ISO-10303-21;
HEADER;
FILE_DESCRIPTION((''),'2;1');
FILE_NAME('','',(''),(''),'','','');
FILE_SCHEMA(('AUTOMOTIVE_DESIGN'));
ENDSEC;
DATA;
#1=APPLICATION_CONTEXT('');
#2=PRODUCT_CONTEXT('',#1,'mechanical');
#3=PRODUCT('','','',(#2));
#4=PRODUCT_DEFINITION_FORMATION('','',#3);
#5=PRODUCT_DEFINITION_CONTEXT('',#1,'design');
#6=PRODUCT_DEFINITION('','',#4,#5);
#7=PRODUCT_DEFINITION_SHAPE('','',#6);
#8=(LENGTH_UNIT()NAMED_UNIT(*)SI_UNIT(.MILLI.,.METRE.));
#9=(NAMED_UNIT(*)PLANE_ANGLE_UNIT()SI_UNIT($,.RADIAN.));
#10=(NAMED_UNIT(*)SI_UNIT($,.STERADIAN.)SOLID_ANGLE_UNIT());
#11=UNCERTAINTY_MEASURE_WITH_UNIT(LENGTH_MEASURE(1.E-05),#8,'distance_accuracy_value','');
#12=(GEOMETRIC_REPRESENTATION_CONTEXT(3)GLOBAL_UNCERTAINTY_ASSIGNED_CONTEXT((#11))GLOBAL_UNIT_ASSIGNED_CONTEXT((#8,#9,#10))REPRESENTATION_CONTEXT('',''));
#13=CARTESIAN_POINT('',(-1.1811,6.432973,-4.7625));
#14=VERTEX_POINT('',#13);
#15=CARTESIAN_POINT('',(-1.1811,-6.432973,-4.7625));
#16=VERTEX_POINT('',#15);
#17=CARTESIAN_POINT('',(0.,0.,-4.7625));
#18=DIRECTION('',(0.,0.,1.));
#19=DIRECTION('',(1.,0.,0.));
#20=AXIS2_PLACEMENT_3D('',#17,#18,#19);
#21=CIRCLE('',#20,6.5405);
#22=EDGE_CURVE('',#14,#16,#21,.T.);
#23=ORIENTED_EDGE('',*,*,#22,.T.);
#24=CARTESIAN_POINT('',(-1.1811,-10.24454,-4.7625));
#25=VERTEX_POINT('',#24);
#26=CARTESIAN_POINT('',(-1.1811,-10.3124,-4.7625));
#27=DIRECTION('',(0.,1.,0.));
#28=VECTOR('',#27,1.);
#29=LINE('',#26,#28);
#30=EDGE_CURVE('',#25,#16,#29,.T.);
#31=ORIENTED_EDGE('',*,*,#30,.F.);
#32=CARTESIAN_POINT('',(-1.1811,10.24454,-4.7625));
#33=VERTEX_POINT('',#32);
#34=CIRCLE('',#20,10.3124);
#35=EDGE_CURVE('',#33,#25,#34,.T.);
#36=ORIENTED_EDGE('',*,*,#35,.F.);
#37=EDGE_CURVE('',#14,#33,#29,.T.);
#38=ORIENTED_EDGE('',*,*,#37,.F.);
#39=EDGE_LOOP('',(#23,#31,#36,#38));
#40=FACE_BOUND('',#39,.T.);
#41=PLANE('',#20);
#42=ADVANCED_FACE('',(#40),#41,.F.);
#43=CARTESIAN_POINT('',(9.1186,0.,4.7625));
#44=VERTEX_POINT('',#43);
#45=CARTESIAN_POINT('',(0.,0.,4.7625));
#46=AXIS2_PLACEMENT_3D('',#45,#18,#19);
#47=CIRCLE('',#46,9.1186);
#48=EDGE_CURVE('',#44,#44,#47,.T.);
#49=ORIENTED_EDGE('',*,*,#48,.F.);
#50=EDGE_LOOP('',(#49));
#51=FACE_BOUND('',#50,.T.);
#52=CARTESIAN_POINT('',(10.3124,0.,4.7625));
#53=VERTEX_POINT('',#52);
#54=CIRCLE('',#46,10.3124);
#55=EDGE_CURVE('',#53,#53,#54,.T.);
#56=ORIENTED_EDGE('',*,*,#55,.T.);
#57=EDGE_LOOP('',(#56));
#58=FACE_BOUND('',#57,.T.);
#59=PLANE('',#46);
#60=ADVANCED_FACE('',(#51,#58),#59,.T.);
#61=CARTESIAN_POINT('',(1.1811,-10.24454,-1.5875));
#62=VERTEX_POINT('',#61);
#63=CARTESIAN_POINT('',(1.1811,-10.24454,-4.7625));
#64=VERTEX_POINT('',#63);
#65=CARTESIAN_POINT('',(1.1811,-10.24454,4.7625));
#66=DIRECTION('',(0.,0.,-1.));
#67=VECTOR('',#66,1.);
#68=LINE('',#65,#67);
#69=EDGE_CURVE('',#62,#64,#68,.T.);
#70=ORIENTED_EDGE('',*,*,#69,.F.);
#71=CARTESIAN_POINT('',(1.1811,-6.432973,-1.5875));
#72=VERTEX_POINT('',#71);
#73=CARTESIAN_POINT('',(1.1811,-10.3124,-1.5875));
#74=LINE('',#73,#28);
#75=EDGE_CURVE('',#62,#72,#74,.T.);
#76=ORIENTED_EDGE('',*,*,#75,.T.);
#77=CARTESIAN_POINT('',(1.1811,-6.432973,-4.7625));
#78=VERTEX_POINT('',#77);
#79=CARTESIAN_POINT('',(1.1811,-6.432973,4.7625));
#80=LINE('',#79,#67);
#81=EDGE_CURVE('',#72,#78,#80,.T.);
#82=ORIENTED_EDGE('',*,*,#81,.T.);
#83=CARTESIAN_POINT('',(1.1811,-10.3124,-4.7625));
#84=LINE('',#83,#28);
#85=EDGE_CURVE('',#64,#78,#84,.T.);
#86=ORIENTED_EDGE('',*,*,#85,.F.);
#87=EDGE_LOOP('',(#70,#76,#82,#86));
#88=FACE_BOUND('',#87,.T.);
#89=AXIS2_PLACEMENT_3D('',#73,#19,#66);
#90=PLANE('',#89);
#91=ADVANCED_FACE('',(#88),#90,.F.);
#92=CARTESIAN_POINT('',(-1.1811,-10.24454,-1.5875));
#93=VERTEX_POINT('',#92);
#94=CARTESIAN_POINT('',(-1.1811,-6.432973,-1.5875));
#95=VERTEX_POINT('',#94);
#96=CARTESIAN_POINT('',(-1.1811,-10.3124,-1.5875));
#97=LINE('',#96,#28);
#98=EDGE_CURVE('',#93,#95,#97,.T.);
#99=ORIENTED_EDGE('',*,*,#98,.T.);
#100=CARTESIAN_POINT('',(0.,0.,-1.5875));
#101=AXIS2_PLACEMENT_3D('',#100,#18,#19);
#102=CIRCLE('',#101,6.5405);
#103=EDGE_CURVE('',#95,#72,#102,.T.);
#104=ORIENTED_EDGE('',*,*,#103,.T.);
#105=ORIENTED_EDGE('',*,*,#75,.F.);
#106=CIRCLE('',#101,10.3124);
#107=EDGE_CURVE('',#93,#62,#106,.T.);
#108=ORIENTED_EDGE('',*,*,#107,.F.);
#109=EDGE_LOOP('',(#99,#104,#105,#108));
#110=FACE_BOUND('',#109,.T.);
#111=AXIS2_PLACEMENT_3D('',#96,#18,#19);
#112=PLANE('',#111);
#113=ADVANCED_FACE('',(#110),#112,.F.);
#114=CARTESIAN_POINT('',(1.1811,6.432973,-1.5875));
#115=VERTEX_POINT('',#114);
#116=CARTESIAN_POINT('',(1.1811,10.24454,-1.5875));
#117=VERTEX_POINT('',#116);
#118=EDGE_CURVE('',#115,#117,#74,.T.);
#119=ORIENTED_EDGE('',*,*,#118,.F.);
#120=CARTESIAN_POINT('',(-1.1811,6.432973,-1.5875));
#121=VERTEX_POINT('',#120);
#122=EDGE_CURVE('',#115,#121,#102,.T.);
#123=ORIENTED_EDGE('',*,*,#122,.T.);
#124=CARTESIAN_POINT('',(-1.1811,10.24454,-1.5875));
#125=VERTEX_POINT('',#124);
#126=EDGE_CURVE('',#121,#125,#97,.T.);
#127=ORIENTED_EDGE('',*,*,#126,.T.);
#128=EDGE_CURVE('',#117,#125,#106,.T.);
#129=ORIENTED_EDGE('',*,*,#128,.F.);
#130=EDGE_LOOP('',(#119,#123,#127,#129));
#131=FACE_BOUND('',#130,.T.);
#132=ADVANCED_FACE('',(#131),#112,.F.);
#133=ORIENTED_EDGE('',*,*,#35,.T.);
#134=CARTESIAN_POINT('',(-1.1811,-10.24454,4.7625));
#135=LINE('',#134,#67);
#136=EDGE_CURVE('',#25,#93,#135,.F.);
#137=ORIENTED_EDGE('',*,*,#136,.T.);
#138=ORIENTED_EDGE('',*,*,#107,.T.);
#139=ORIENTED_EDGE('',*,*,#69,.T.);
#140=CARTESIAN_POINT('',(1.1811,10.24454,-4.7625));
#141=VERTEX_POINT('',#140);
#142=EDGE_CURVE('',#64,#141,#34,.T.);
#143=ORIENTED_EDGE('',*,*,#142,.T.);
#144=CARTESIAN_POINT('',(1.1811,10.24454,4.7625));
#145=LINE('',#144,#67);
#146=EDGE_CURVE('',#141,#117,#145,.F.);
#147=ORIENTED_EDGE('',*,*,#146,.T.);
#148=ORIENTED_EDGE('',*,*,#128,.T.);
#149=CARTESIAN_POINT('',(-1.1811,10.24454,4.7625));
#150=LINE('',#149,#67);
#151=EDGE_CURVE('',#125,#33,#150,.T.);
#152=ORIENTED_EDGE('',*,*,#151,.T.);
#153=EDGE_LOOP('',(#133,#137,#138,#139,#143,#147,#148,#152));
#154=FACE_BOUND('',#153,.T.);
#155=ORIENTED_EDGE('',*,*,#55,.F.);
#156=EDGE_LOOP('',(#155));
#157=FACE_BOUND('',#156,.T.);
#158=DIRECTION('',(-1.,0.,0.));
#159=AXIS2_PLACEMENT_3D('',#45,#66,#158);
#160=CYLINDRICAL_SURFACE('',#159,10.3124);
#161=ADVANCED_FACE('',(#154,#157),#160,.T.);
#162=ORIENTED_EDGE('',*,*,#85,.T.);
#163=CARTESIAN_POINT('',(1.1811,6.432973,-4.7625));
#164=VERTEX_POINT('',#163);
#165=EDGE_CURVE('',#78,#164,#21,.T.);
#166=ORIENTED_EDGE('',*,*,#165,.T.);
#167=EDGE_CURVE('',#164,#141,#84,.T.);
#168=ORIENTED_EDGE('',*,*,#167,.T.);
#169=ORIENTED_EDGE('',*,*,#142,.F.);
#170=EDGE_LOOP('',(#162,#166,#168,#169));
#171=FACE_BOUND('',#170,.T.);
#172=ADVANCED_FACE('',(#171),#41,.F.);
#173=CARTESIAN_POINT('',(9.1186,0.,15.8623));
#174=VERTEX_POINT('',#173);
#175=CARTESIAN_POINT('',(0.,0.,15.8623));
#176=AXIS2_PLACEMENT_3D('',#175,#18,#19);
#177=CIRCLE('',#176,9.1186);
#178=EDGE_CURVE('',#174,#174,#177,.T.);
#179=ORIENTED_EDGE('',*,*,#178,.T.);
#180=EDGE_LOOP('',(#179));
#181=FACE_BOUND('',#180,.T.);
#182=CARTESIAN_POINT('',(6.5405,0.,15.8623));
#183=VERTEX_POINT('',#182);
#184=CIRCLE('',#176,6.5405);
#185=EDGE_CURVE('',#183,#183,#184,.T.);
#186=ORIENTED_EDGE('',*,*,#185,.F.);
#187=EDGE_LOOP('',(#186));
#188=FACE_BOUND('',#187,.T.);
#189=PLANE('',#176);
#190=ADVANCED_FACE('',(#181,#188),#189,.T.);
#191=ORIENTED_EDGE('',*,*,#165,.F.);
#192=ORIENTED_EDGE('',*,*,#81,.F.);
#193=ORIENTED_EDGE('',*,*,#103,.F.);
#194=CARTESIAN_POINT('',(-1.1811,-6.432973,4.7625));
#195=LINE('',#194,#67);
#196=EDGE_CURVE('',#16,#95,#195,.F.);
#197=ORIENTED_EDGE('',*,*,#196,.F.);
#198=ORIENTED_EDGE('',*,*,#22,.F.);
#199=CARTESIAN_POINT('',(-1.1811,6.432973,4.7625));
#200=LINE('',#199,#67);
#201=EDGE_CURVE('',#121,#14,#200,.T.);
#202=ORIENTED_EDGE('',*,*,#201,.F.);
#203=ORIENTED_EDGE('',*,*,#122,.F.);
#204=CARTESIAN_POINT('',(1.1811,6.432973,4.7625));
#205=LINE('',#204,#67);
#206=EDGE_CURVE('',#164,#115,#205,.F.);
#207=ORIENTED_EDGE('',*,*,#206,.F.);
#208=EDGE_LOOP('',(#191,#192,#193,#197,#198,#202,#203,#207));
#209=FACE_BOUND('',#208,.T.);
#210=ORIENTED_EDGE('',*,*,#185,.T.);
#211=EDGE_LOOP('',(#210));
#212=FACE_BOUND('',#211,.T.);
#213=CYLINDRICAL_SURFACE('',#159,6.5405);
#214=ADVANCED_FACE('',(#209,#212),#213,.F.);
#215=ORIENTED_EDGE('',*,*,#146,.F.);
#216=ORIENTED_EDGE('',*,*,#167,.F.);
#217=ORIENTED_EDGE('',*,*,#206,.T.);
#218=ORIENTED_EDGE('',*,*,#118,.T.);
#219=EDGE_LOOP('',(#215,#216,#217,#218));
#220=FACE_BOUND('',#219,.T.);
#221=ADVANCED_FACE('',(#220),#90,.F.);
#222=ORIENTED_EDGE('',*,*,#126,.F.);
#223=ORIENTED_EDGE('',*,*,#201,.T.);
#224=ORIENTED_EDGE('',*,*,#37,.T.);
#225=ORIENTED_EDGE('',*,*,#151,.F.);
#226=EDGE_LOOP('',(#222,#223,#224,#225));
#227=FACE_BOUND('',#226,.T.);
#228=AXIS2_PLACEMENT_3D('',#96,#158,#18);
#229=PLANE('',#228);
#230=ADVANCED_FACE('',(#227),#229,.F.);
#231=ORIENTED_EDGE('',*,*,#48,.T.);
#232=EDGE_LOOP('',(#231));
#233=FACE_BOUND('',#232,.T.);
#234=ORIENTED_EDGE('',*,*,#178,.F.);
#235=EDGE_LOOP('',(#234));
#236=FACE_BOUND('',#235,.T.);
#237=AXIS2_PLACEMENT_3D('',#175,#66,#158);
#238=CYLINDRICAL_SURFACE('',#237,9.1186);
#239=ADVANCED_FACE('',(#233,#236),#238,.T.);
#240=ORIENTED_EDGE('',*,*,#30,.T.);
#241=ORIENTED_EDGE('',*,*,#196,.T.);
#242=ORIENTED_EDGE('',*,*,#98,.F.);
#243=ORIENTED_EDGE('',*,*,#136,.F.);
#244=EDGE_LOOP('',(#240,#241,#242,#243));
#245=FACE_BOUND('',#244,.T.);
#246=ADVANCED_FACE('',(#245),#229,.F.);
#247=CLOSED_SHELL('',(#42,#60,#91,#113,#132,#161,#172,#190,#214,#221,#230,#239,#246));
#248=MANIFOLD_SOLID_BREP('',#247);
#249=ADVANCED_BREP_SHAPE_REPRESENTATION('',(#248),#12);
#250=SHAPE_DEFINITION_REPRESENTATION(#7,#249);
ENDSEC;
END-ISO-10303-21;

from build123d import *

# Parameters (mm, degrees)
SKETCH1_R               = 10.3124
SKETCH1_R_2             = 6.5405
BOSS_EXTRUDE1_DEPTH     = 4.7625
SKETCH2_R               = 9.1186
SKETCH2_R_2             = 6.5405
BOSS_EXTRUDE2_DEPTH     = 11.0998
SKETCH3_W               = 2.3622
SKETCH3_H               = 3.175
CUT_EXTRUDE1_DEPTH      = 11.3124
CUT_EXTRUDE1_DEPTH_BACK = 11.3124


with BuildPart() as part:
    # Sketch1 → Boss-Extrude1 (new body, symmetric)
    with BuildSketch(Plane.XY):
        Circle(SKETCH1_R)
        Circle(SKETCH1_R_2, mode=Mode.SUBTRACT)
    extrude(amount=BOSS_EXTRUDE1_DEPTH, both=True)

    # Sketch2 → Boss-Extrude2 (add)
    with BuildSketch(Plane.XY.offset(4.7625)):
        Circle(SKETCH2_R)
        Circle(SKETCH2_R_2, mode=Mode.SUBTRACT)
    extrude(amount=BOSS_EXTRUDE2_DEPTH)

    # Sketch3 → Cut-Extrude1 (cut, two sides)
    with BuildSketch(Plane(origin=(0, 0, 0), x_dir=(1, 0, 0), z_dir=(0, 1, 0))) as cut_extrude1_sk:
        with Locations((0, 3.175)):
            Rectangle(SKETCH3_W, SKETCH3_H)
    extrude(amount=CUT_EXTRUDE1_DEPTH, mode=Mode.SUBTRACT)
    extrude(cut_extrude1_sk.sketch, amount=-CUT_EXTRUDE1_DEPTH_BACK, mode=Mode.SUBTRACT)


solid = part.part
